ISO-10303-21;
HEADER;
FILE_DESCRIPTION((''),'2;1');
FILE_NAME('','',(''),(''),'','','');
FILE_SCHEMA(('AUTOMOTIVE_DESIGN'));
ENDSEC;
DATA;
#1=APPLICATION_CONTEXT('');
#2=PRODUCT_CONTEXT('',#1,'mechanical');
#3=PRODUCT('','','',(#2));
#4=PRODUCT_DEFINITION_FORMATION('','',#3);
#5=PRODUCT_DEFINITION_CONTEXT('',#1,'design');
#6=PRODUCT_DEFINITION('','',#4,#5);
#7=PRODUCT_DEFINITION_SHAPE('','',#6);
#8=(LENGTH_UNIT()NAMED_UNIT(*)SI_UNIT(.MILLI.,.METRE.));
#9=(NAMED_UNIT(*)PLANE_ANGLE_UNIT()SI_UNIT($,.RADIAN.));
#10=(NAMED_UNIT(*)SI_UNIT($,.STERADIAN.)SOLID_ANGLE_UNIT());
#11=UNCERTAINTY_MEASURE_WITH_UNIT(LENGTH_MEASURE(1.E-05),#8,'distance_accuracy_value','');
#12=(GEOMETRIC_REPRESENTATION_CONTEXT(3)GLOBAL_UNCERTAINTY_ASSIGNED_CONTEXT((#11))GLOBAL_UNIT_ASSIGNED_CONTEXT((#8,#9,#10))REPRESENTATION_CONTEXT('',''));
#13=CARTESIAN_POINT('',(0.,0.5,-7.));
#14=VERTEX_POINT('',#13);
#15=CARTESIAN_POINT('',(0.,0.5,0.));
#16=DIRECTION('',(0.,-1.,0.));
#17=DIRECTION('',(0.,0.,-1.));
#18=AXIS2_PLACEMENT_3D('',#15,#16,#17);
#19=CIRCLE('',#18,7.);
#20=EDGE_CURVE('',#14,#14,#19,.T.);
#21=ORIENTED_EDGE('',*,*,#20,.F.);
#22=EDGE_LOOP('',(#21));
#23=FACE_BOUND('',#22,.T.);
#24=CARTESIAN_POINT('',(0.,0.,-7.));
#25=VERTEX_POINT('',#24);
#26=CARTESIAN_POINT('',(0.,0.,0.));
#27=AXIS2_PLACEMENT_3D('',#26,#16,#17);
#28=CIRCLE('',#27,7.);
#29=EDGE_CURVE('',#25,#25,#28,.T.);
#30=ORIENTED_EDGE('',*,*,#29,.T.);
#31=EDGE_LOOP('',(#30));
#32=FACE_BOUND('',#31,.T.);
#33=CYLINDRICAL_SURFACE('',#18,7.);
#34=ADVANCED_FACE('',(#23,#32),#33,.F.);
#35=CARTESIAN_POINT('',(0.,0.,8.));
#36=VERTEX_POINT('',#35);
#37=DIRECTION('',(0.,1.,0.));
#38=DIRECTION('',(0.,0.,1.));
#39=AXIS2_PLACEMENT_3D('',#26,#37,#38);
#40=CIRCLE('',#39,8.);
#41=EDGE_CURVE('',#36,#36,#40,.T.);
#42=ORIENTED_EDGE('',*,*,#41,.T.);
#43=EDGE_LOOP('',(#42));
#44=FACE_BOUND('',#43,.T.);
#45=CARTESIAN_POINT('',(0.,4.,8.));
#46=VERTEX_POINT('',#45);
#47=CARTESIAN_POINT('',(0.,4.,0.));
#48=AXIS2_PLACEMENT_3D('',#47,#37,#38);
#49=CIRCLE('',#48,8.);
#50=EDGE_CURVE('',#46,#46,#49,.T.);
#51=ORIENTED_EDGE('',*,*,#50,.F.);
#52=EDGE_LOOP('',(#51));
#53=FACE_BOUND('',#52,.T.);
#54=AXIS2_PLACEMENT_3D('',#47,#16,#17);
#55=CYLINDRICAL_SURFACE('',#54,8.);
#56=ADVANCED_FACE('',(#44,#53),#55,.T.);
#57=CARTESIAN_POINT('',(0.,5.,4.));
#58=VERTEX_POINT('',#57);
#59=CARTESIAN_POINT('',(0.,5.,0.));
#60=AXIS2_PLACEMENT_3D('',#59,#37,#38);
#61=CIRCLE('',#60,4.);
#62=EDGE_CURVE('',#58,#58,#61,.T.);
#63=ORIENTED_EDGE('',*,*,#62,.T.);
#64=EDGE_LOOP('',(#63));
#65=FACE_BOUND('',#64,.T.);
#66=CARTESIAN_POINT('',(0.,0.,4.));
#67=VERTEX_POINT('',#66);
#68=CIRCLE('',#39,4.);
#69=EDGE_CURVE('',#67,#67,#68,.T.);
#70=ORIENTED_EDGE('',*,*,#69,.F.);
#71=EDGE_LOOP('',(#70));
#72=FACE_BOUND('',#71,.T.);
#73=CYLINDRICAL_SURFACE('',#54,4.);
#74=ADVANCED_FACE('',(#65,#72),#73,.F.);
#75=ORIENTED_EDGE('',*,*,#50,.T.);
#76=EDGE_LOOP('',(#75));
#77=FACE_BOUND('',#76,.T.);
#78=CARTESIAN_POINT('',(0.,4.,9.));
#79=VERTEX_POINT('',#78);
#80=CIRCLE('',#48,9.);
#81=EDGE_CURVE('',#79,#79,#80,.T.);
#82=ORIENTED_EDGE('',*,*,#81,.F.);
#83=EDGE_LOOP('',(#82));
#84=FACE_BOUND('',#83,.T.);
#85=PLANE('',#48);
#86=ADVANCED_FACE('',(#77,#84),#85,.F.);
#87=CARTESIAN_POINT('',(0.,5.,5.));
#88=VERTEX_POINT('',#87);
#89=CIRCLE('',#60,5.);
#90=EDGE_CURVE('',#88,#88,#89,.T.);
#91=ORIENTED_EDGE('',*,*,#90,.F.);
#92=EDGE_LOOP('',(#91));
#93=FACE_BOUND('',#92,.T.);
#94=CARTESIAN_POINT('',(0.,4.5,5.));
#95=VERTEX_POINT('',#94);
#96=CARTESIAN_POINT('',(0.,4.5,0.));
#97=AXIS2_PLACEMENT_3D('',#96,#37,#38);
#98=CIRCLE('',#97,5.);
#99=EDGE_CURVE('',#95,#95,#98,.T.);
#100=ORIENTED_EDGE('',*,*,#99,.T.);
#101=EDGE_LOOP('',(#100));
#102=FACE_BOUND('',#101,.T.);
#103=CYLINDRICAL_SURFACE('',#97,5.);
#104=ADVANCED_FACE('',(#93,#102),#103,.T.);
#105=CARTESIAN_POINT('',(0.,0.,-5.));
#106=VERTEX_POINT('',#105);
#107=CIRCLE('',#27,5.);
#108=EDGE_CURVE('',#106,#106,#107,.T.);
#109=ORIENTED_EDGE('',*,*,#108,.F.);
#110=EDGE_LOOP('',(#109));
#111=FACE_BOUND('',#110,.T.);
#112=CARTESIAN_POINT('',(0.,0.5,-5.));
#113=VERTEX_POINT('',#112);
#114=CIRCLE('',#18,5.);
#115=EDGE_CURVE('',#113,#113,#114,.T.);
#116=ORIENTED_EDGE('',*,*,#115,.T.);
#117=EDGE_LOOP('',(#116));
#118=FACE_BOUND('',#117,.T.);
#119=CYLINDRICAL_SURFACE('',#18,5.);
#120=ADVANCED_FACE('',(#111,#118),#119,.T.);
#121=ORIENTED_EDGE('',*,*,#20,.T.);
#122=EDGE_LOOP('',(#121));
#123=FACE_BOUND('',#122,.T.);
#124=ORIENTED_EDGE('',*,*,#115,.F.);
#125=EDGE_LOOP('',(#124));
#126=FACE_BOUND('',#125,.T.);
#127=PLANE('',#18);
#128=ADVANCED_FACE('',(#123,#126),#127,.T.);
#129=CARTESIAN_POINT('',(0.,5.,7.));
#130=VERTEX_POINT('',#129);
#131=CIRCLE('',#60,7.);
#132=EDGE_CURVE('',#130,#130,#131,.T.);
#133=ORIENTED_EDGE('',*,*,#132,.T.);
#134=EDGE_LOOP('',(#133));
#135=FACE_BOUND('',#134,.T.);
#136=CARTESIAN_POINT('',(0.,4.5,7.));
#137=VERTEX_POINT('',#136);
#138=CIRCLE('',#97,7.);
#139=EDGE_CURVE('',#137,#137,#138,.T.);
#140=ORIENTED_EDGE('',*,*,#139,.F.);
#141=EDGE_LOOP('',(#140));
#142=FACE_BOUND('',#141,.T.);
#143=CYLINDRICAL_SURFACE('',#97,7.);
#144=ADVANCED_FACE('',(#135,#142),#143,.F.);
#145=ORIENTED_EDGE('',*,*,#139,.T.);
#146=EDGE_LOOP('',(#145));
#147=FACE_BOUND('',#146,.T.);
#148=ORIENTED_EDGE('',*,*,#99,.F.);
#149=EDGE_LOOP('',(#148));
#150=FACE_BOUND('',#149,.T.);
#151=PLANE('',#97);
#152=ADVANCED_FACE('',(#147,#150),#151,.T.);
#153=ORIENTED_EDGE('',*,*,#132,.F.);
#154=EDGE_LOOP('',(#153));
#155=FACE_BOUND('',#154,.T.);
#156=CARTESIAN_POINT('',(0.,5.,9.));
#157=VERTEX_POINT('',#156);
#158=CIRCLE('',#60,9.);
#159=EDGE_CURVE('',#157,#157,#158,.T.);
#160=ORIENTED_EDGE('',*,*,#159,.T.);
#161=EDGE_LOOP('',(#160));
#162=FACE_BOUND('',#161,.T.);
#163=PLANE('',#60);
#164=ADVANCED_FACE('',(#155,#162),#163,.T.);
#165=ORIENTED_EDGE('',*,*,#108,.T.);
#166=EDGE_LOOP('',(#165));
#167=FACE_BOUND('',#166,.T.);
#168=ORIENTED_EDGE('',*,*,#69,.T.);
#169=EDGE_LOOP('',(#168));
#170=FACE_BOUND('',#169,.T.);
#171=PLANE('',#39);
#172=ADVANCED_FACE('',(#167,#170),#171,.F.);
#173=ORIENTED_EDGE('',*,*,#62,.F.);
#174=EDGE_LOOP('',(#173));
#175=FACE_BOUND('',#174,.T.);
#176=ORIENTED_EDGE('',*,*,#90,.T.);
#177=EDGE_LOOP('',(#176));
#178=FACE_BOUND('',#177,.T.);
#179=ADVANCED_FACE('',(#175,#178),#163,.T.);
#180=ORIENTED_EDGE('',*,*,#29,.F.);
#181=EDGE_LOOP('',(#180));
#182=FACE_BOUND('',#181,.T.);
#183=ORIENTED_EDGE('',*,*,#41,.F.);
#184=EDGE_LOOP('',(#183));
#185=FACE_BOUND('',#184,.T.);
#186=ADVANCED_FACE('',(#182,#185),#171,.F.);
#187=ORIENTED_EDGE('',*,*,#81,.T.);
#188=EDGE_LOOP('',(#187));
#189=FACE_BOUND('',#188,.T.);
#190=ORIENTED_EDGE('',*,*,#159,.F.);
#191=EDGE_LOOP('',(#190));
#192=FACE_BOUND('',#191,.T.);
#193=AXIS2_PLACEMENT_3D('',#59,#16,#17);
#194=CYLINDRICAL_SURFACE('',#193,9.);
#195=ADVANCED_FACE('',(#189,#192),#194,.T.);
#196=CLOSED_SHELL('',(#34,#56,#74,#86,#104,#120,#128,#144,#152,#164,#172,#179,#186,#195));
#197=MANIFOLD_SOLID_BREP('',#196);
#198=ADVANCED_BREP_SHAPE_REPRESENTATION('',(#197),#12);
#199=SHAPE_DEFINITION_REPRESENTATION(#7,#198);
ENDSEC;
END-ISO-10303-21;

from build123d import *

# Parameters (mm, degrees)
SKETCH1_R           = 8
SKETCH1_R_2         = 4
BOSS_EXTRUDE1_DEPTH = 4
SKETCH2_R           = 9
SKETCH2_R_2         = 4
BOSS_EXTRUDE2_DEPTH = 1
SKETCH3_R           = 7
SKETCH3_R_2         = 5
CUT_EXTRUDE1_DEPTH  = 0.5
CUT_EXTRUDE2_START  = -0.5
SKETCH4_R           = 7
SKETCH4_R_2         = 5
CUT_EXTRUDE2_DEPTH  = 0.5


with BuildPart() as part:
    # Sketch1 → Boss-Extrude1 (new body)
    with BuildSketch(Plane(origin=(0, 0, 0), x_dir=(1, 0, 0), z_dir=(0, 1, 0))):
        with Locations(Location((0, 0, 0), (0, 0, 270))):
            Circle(SKETCH1_R)
        with Locations(Location((0, 0, 0), (0, 0, 270))):
            Circle(SKETCH1_R_2, mode=Mode.SUBTRACT)
    extrude(amount=BOSS_EXTRUDE1_DEPTH)

    # Sketch2 → Boss-Extrude2 (add)
    with BuildSketch(Plane(origin=(0, 4, 0), x_dir=(1, 0, 0), z_dir=(0, 1, 0))):
        with Locations(Location((0, 0, 0), (0, 0, 270))):
            Circle(SKETCH2_R)
        with Locations(Location((0, 0, 0), (0, 0, 270))):
            Circle(SKETCH2_R_2, mode=Mode.SUBTRACT)
    extrude(amount=BOSS_EXTRUDE2_DEPTH)

    # Sketch3 → Cut-Extrude1 (cut)
    with BuildSketch(Plane.XZ):
        with Locations(Location((0, 0, 0), (0, 0, 270))):
            Circle(SKETCH3_R)
        with Locations(Location((0, 0, 0), (0, 0, 270))):
            Circle(SKETCH3_R_2, mode=Mode.SUBTRACT)
    extrude(amount=-CUT_EXTRUDE1_DEPTH, mode=Mode.SUBTRACT)

    # Sketch4 → Cut-Extrude2 (cut)
    with BuildSketch(Plane(origin=(0, 5, 0), x_dir=(1, 0, 0), z_dir=(0, 1, 0)).offset(CUT_EXTRUDE2_START)):
        with Locations(Location((0, 0, 0), (0, 0, 90))):
            Circle(SKETCH4_R)
        with Locations(Location((0, 0, 0), (0, 0, 90))):
            Circle(SKETCH4_R_2, mode=Mode.SUBTRACT)
    extrude(amount=CUT_EXTRUDE2_DEPTH, mode=Mode.SUBTRACT)


solid = part.part
